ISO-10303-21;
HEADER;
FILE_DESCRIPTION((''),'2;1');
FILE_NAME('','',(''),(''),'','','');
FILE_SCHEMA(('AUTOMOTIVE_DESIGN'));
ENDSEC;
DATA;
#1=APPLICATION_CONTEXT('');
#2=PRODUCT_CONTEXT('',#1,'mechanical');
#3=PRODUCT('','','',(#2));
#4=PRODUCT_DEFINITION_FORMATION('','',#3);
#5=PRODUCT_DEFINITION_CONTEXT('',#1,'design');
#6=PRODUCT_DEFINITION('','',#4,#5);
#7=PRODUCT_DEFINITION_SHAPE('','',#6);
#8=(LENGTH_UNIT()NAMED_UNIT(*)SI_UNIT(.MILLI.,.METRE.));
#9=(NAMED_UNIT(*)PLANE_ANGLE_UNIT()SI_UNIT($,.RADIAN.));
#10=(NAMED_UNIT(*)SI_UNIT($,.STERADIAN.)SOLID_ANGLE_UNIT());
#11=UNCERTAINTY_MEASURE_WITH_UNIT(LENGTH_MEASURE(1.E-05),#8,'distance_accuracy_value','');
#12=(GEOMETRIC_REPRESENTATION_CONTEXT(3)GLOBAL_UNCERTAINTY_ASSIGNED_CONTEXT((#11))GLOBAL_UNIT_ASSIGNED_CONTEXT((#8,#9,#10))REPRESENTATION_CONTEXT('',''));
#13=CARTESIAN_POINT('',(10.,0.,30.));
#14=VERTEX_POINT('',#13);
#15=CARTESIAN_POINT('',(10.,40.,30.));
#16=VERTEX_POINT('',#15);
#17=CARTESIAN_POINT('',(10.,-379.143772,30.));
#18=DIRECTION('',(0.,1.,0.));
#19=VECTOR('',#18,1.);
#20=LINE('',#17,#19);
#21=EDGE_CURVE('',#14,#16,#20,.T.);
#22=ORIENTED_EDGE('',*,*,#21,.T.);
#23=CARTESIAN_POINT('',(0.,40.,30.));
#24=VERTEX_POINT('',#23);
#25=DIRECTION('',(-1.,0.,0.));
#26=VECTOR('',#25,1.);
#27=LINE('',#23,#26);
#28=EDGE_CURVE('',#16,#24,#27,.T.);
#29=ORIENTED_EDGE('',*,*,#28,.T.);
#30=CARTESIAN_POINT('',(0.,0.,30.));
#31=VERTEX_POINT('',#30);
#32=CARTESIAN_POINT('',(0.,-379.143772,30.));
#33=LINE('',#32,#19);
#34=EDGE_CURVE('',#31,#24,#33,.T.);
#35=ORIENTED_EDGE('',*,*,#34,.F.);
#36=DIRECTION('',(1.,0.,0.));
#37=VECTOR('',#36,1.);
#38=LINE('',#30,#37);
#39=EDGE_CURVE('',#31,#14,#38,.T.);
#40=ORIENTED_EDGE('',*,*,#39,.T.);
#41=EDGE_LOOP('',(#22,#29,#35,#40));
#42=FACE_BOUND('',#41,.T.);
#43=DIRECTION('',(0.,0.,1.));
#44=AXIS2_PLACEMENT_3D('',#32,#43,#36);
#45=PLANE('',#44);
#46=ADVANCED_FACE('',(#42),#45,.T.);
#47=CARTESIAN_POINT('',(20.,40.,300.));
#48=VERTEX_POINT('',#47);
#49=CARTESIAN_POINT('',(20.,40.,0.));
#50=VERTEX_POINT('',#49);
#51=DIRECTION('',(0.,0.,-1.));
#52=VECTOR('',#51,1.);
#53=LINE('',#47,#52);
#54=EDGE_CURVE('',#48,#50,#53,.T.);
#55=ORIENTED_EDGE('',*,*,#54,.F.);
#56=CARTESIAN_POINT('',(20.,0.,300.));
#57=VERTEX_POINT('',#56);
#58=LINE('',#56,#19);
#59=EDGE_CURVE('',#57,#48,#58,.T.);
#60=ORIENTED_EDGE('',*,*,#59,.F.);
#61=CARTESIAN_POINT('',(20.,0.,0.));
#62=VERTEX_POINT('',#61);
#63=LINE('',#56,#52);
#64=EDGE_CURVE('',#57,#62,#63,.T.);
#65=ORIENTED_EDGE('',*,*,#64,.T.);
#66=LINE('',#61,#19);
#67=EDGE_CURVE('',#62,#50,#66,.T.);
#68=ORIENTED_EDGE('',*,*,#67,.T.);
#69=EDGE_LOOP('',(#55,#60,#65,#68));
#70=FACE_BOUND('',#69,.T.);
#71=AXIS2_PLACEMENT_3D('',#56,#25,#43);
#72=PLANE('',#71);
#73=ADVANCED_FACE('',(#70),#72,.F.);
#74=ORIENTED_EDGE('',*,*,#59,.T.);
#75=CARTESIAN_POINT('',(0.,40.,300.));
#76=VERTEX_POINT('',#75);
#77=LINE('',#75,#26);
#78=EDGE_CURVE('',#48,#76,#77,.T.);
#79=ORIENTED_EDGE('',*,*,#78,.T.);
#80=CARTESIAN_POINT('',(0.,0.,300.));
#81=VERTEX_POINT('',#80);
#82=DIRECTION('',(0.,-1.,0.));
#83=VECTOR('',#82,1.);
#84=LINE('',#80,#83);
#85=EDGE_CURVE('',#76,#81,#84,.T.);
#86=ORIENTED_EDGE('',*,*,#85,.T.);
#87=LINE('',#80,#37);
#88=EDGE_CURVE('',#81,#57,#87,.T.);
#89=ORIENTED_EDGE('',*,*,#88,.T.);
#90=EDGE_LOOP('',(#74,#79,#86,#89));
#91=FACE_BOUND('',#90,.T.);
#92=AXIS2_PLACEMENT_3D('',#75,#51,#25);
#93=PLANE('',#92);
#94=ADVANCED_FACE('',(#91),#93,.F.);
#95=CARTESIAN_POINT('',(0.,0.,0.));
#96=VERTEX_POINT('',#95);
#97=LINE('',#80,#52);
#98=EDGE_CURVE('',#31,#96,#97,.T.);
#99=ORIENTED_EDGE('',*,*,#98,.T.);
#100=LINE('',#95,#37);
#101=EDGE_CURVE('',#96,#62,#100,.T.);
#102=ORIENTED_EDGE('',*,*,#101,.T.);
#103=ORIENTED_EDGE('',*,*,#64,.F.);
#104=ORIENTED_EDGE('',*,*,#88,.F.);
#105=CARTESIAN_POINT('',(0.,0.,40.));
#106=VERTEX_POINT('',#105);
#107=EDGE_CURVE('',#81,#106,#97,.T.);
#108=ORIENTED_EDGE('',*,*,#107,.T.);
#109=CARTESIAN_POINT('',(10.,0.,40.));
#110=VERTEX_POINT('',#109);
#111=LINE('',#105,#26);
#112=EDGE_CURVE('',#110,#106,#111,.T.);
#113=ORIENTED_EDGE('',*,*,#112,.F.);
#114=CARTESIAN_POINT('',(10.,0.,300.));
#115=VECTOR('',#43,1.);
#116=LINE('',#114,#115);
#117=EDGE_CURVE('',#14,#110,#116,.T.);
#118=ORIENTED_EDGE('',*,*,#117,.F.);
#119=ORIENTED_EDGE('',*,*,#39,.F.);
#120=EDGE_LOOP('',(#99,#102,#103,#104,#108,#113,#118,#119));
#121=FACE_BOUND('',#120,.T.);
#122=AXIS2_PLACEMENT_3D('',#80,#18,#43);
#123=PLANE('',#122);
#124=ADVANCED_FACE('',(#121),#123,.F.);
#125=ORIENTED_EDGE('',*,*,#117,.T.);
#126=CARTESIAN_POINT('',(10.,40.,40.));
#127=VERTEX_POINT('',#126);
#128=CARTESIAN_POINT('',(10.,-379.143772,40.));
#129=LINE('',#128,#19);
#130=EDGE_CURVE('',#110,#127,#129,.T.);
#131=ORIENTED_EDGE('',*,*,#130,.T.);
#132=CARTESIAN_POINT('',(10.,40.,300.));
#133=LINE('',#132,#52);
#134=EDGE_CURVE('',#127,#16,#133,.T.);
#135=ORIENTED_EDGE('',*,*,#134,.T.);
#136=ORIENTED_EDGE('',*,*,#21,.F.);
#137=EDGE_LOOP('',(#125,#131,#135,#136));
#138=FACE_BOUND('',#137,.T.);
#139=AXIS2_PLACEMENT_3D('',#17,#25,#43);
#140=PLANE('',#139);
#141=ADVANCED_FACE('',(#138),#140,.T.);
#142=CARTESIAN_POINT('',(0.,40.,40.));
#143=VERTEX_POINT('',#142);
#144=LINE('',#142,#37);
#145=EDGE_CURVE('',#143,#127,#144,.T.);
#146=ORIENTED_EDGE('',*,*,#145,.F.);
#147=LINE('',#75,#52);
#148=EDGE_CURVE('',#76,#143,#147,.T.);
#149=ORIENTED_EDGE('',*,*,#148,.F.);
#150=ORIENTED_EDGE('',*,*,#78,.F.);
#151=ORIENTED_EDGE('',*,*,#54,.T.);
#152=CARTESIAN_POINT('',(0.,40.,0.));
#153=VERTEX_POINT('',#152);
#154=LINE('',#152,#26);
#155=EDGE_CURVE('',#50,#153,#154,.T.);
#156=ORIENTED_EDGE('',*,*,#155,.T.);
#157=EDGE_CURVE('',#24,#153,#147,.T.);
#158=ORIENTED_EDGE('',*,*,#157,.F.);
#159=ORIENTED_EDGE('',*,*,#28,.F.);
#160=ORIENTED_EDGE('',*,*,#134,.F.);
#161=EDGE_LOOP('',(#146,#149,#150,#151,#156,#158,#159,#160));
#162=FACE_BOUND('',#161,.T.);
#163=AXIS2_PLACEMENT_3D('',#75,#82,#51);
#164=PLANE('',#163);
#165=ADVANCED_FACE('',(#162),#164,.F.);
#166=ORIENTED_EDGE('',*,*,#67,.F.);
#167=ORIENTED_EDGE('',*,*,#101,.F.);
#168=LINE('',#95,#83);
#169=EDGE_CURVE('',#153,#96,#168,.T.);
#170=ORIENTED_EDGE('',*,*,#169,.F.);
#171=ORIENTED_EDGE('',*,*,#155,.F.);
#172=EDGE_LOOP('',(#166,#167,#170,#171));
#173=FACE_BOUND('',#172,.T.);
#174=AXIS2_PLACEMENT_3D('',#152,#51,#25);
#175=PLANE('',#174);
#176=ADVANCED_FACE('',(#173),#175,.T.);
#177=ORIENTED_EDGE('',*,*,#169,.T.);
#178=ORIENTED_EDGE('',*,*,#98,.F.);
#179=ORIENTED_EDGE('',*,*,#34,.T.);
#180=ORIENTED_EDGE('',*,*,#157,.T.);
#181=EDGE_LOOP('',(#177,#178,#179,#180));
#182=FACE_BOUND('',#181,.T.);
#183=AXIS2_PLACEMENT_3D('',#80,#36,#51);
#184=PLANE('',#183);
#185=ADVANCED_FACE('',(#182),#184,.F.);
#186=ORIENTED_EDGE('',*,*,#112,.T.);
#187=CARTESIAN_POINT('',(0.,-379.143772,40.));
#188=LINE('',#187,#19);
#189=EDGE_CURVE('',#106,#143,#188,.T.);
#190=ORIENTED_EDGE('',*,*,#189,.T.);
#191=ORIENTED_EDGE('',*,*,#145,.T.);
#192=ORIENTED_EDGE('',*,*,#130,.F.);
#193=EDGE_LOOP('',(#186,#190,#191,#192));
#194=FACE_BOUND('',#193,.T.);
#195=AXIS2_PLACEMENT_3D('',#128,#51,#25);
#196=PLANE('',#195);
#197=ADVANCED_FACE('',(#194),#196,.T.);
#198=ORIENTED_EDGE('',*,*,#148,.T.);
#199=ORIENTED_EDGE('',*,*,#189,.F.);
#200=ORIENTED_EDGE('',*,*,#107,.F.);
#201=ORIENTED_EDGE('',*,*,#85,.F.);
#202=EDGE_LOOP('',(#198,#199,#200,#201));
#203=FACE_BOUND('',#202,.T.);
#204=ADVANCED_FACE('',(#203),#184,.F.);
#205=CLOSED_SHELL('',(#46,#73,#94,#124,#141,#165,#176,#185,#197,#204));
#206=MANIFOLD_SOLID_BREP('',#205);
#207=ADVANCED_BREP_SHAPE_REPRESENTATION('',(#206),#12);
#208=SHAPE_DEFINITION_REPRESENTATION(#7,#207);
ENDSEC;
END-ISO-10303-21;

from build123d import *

# Parameters (mm, degrees)
ESQUISSE1_W                  = 20
ESQUISSE1_H                  = 40
BOSS_EXTRU_1_DEPTH           = 300
ENL_V_MAT_EXTRU_1_DEPTH      = 1
ENL_V_MAT_EXTRU_1_DEPTH_BACK = 41


with BuildPart() as part:
    # Esquisse1 → Boss.-Extru.1 (new body)
    with BuildSketch(Plane.XY):
        with Locations((10, 20)):
            Rectangle(ESQUISSE1_W, ESQUISSE1_H)
    extrude(amount=BOSS_EXTRU_1_DEPTH)

    # Esquisse2 → Enlèv. mat.-Extru.1 (cut, two sides)
    with BuildSketch(Plane.XZ) as enl_v_mat_extru_1_sk:
        Polygon((-551.479454827, 30), (0, 30), (10, 30), (10, 40), (0, 40), (-551.479454827, 40), (-1654.438364482, 40), (-1654.438364482, 30), align=None)
    extrude(amount=ENL_V_MAT_EXTRU_1_DEPTH, mode=Mode.SUBTRACT)
    extrude(enl_v_mat_extru_1_sk.sketch, amount=-ENL_V_MAT_EXTRU_1_DEPTH_BACK, mode=Mode.SUBTRACT)


solid = part.part
